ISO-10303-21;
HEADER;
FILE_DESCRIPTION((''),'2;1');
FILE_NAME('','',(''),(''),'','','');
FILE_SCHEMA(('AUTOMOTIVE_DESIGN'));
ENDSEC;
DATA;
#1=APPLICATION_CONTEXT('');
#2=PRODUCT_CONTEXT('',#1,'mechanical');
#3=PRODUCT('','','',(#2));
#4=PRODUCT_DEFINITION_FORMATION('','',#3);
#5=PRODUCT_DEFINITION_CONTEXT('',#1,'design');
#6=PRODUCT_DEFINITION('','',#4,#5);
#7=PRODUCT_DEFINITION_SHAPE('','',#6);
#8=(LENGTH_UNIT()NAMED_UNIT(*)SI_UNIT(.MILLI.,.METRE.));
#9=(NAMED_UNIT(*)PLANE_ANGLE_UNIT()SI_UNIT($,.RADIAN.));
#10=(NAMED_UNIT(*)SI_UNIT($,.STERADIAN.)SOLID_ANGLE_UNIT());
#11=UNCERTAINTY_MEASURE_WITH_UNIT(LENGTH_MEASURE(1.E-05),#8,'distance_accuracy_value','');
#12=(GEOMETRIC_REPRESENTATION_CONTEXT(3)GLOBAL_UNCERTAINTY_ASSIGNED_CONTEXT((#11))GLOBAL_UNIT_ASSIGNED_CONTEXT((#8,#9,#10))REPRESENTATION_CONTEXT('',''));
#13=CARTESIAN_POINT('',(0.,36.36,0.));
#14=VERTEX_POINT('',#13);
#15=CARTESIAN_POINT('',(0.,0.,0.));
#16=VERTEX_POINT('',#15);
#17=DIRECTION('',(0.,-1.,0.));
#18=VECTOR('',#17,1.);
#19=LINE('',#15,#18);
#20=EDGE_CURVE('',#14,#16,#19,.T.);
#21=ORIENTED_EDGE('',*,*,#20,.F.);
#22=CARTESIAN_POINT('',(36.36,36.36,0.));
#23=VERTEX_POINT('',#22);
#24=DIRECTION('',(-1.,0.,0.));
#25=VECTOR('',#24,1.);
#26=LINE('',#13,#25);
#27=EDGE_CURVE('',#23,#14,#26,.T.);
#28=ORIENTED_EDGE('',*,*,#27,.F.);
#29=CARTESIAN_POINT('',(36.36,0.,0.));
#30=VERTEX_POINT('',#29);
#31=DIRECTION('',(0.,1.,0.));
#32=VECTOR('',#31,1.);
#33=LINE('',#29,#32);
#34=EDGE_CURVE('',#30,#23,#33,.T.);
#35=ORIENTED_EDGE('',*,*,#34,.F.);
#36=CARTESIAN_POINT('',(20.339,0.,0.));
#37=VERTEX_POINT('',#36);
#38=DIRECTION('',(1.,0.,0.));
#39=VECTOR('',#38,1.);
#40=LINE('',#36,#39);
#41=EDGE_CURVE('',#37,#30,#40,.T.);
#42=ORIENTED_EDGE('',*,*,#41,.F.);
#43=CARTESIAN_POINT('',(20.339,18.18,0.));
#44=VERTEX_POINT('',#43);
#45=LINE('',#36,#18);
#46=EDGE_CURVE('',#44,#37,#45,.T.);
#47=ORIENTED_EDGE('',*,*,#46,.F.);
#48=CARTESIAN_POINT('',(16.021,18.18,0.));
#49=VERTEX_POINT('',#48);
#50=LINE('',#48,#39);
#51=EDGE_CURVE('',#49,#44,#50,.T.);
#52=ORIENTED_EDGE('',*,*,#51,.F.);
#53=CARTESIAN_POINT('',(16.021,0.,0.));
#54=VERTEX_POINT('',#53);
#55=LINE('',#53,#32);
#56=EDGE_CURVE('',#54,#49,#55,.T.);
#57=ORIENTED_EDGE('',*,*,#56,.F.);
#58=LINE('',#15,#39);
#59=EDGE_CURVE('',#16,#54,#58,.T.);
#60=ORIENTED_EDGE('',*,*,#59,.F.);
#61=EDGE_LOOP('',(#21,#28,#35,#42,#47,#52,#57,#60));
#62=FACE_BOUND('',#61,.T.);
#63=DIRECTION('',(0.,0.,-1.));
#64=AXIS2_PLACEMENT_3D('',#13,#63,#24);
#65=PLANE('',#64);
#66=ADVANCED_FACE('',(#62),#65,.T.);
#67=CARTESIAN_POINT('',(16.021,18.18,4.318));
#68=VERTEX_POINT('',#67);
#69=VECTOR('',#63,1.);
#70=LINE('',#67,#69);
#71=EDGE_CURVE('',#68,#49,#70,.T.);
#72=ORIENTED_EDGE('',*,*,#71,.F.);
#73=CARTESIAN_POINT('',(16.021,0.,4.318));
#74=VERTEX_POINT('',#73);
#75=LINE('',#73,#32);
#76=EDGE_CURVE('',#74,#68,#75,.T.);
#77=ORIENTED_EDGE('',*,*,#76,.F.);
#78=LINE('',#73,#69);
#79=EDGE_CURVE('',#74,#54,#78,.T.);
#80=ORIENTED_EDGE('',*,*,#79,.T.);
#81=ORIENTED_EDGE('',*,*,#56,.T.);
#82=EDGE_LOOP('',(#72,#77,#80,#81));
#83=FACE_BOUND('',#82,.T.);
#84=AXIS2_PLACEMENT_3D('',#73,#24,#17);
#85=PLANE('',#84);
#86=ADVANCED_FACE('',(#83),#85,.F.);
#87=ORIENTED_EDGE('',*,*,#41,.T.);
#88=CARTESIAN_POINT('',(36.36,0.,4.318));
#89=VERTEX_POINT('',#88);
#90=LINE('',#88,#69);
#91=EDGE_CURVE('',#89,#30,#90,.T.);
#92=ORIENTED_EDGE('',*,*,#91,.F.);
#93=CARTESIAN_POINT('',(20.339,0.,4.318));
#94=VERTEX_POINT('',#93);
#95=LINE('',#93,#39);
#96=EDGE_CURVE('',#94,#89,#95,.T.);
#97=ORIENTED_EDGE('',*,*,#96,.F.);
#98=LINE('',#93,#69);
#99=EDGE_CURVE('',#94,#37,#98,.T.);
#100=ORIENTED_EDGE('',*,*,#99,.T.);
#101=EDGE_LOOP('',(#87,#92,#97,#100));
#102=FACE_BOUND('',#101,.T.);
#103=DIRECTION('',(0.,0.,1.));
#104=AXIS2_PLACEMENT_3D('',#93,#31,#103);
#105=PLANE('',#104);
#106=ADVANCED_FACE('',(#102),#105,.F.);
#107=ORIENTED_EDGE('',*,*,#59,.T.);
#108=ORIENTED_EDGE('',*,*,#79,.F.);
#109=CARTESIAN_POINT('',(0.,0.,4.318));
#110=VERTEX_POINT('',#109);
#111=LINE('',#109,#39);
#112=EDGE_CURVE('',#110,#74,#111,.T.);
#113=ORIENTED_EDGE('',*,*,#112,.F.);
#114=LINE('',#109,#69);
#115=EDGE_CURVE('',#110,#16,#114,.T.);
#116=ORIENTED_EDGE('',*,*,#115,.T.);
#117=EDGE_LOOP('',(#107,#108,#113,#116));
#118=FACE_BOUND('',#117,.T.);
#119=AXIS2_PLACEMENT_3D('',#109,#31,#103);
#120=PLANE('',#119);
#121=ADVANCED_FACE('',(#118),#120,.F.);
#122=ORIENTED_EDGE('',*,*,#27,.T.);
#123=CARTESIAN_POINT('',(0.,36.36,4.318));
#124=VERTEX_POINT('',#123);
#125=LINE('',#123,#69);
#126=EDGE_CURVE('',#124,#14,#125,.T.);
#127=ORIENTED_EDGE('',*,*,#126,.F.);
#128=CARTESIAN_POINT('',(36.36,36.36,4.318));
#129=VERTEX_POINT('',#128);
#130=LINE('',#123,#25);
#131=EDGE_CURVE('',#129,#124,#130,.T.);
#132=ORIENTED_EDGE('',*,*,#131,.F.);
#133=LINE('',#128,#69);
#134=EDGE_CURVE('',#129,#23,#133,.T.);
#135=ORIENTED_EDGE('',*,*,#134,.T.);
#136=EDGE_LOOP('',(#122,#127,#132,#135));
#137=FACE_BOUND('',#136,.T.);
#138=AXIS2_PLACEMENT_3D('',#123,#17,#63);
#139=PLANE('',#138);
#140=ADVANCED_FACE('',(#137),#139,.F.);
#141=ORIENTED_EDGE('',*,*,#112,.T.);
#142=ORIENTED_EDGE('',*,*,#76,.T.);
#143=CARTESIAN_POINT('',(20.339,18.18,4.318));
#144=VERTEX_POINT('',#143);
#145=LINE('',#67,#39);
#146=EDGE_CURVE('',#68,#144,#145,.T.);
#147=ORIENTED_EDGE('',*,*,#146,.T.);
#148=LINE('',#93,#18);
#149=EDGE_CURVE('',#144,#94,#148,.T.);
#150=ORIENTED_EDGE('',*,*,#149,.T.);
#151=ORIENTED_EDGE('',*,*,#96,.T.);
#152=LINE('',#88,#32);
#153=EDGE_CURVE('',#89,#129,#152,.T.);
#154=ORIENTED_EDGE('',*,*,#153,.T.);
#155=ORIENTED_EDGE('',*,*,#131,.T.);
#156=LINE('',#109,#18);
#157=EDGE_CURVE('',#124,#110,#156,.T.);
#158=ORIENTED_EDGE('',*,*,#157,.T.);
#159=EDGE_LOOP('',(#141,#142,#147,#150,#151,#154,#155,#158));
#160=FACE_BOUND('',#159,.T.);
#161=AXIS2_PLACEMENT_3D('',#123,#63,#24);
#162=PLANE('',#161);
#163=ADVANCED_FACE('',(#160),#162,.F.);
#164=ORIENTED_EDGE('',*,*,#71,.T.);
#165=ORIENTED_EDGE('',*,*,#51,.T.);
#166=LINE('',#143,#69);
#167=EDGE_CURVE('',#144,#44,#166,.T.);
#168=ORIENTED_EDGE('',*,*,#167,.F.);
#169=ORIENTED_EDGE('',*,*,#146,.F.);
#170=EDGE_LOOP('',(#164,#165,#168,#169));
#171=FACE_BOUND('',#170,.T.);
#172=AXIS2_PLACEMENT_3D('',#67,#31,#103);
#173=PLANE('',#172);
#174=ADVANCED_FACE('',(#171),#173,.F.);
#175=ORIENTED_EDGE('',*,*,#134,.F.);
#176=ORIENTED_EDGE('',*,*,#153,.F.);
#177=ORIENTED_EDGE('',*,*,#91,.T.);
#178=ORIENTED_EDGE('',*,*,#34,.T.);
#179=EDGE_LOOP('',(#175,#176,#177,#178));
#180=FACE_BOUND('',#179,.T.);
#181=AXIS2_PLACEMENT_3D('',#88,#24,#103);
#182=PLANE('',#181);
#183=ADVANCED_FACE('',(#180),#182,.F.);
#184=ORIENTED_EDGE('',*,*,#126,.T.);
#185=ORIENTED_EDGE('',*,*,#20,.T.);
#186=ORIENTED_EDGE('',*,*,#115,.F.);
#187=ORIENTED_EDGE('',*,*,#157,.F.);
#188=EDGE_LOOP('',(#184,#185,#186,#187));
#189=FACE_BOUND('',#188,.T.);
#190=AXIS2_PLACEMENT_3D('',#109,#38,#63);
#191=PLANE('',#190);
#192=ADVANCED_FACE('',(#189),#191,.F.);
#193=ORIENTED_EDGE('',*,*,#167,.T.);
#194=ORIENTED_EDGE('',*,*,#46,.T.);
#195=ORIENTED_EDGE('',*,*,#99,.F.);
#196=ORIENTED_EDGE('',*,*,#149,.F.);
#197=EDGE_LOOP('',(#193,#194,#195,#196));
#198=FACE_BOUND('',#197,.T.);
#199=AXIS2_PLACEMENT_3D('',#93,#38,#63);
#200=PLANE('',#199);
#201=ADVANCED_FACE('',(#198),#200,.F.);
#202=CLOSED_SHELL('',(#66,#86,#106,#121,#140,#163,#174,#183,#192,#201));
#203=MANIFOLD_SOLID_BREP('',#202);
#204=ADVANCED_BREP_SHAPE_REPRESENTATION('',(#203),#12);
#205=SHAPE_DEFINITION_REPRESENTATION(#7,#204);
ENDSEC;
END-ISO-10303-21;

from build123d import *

# Parameters (mm, degrees)
BOSS_EXTRUDE1_DEPTH = 4.318


with BuildPart() as part:
    # Sketch1 → Boss-Extrude1 (new body)
    with BuildSketch(Plane.XY):
        Polygon((0, 0), (16.021, 0), (16.021, 18.18), (20.339, 18.18), (20.339, 0), (36.36, 0), (36.36, 36.36), (0, 36.36), align=None)
    extrude(amount=BOSS_EXTRUDE1_DEPTH)


solid = part.part
